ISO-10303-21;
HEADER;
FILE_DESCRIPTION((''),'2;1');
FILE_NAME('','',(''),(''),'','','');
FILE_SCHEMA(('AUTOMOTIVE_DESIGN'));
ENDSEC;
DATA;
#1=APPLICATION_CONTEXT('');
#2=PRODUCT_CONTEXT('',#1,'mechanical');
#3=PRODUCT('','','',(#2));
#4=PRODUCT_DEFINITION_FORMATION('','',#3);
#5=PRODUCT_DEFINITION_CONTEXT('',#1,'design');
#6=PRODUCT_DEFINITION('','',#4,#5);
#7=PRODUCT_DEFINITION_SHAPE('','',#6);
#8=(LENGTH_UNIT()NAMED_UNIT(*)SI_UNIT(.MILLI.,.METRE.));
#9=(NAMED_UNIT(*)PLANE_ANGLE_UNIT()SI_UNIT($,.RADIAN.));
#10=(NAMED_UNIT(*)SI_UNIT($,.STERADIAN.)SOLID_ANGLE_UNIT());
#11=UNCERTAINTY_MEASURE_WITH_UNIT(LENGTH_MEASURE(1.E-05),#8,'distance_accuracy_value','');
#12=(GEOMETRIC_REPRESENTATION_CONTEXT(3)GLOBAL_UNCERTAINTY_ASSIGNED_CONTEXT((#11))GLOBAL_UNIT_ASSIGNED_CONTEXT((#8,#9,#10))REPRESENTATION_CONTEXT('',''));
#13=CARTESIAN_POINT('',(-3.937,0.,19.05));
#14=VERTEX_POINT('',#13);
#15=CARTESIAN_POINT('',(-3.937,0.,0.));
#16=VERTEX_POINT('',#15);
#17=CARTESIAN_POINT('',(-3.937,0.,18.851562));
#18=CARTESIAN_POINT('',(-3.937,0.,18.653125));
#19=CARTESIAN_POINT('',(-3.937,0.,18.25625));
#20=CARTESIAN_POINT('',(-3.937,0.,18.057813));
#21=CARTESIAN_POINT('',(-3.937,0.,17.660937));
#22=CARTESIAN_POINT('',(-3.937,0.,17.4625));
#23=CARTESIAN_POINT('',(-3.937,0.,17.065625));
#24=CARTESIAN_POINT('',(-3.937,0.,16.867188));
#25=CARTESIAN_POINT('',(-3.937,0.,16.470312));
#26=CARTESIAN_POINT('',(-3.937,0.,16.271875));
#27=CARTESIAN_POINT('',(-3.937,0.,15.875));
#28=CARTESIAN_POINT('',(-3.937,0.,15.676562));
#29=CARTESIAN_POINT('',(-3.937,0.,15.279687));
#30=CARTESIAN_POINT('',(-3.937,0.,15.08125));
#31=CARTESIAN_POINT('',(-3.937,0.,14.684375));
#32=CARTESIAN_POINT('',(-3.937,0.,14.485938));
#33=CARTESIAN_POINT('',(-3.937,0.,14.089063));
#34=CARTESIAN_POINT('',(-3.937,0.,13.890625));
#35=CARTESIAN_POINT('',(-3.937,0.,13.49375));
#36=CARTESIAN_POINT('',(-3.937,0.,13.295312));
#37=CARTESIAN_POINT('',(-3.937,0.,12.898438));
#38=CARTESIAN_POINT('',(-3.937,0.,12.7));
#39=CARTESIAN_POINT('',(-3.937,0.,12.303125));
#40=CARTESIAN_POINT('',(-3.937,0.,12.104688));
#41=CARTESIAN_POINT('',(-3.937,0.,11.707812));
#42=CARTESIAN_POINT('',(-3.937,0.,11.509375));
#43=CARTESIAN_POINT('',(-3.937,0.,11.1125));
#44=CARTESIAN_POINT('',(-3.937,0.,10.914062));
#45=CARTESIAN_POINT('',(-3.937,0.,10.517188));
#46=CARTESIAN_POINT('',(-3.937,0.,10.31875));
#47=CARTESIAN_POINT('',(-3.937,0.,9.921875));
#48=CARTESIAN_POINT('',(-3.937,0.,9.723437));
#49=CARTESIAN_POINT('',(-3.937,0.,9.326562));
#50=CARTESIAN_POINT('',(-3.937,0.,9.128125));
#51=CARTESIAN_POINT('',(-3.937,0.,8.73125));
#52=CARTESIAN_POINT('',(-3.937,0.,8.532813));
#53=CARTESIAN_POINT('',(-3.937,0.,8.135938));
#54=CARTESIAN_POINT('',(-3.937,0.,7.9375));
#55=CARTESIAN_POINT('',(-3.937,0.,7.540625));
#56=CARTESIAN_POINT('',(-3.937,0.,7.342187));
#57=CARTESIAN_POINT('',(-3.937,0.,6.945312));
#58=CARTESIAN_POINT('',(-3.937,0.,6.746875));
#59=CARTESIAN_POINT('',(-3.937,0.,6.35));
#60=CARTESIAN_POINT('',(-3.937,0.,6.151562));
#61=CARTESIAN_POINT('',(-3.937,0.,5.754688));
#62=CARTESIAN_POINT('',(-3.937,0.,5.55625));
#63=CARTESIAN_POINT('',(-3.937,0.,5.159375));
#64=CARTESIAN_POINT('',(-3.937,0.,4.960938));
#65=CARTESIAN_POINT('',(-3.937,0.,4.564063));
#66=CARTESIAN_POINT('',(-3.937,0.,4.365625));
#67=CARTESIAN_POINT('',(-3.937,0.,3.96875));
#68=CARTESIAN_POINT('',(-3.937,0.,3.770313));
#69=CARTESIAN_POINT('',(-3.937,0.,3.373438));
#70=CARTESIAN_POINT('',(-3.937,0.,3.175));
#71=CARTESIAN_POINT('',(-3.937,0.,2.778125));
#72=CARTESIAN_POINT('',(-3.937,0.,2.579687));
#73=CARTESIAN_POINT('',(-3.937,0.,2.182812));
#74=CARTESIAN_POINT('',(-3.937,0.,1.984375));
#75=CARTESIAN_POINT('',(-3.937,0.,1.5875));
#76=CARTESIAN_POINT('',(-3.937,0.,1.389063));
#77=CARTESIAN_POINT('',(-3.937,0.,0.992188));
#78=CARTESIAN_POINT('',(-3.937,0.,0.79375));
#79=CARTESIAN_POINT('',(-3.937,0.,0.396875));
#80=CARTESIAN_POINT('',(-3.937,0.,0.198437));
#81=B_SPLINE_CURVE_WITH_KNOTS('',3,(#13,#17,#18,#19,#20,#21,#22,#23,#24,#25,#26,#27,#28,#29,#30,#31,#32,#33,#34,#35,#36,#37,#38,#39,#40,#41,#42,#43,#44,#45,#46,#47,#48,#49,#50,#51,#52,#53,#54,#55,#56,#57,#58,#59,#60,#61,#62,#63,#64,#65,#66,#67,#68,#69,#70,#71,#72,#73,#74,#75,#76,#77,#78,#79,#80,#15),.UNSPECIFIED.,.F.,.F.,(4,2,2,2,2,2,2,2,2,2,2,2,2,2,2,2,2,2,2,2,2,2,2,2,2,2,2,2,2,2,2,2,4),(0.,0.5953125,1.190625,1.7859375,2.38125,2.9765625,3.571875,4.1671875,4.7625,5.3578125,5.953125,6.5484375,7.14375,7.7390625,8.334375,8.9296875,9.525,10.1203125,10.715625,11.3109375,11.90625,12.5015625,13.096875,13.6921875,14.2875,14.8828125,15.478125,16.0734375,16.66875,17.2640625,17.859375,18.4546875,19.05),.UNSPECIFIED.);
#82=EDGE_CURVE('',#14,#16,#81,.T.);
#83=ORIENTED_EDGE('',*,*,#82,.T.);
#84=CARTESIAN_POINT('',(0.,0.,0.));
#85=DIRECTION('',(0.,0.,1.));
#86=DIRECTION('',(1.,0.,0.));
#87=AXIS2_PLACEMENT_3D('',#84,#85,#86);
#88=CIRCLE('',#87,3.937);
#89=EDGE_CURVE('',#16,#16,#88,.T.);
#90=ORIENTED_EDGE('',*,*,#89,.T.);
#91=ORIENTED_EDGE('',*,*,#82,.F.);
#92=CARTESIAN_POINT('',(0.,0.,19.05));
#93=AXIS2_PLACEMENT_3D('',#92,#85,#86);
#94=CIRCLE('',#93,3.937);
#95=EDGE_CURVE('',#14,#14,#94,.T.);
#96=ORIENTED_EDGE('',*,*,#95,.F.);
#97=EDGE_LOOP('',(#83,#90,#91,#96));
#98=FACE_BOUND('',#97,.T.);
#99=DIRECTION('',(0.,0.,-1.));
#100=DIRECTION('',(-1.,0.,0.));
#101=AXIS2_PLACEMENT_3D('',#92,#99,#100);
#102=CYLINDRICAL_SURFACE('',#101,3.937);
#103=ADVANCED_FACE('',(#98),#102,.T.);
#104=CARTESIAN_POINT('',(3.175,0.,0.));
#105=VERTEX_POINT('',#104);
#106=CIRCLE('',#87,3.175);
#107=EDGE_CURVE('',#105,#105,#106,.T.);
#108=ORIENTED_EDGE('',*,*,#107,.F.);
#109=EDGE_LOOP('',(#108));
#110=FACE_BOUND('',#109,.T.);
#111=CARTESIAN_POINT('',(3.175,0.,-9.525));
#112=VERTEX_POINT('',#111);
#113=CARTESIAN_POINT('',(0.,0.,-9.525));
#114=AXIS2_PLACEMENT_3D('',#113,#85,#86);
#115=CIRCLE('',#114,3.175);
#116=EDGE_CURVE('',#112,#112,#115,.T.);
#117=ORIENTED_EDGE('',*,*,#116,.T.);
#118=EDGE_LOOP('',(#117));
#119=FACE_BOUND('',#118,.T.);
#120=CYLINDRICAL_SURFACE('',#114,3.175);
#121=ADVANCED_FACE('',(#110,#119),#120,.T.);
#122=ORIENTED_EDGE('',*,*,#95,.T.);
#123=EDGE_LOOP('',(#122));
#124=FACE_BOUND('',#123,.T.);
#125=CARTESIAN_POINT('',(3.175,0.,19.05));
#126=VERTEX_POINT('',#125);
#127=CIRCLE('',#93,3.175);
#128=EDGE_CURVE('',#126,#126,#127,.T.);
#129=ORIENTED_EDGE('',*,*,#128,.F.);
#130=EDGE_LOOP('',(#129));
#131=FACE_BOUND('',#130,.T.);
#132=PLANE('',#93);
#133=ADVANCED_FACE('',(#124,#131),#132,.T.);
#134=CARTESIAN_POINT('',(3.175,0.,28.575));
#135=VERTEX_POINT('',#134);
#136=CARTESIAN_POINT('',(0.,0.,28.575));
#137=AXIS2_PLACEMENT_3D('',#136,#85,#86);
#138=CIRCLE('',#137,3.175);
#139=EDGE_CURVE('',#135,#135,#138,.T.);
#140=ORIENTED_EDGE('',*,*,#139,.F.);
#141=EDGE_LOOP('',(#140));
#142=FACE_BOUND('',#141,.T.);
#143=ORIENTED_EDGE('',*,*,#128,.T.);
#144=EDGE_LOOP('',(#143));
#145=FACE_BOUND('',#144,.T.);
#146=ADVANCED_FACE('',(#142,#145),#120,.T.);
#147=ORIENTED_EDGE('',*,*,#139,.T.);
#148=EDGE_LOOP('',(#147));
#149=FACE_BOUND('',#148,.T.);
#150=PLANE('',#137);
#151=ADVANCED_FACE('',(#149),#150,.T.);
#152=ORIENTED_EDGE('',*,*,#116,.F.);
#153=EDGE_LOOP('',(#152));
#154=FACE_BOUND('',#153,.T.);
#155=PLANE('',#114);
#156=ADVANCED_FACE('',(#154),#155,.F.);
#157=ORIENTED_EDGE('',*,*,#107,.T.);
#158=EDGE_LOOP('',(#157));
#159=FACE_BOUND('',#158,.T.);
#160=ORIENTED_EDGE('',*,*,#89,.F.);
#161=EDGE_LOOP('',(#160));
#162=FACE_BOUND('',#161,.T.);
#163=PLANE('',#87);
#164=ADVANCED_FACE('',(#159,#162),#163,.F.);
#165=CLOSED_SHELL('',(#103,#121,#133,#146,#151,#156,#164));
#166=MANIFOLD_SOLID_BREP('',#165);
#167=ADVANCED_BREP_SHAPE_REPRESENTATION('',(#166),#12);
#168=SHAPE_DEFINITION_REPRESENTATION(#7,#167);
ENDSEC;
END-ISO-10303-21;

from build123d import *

# Parameters (mm, degrees)
SKETCH1_R                = 3.937
BOSS_EXTRUDE2_DEPTH      = 19.05
BOSS_EXTRUDE3_DEPTH      = 9.525
BOSS_EXTRUDE3_DEPTH_BACK = 28.575
SKETCH3_R                = 3.175


with BuildPart() as part:
    # Sketch1 → Boss-Extrude2 (new body)
    with BuildSketch(Plane.XY):
        with Locations(Location((0, 0, 0), (0, 0, 180))):
            Circle(SKETCH1_R)
    extrude(amount=BOSS_EXTRUDE2_DEPTH)

    # Sketch3 → Boss-Extrude3 (add, two sides: drawn at the far end of the back side and taken through both)
    with BuildSketch(Plane.XY.offset(19.05).offset(-BOSS_EXTRUDE3_DEPTH_BACK)):
        Circle(SKETCH3_R)
    extrude(amount=BOSS_EXTRUDE3_DEPTH + BOSS_EXTRUDE3_DEPTH_BACK)


solid = part.part
